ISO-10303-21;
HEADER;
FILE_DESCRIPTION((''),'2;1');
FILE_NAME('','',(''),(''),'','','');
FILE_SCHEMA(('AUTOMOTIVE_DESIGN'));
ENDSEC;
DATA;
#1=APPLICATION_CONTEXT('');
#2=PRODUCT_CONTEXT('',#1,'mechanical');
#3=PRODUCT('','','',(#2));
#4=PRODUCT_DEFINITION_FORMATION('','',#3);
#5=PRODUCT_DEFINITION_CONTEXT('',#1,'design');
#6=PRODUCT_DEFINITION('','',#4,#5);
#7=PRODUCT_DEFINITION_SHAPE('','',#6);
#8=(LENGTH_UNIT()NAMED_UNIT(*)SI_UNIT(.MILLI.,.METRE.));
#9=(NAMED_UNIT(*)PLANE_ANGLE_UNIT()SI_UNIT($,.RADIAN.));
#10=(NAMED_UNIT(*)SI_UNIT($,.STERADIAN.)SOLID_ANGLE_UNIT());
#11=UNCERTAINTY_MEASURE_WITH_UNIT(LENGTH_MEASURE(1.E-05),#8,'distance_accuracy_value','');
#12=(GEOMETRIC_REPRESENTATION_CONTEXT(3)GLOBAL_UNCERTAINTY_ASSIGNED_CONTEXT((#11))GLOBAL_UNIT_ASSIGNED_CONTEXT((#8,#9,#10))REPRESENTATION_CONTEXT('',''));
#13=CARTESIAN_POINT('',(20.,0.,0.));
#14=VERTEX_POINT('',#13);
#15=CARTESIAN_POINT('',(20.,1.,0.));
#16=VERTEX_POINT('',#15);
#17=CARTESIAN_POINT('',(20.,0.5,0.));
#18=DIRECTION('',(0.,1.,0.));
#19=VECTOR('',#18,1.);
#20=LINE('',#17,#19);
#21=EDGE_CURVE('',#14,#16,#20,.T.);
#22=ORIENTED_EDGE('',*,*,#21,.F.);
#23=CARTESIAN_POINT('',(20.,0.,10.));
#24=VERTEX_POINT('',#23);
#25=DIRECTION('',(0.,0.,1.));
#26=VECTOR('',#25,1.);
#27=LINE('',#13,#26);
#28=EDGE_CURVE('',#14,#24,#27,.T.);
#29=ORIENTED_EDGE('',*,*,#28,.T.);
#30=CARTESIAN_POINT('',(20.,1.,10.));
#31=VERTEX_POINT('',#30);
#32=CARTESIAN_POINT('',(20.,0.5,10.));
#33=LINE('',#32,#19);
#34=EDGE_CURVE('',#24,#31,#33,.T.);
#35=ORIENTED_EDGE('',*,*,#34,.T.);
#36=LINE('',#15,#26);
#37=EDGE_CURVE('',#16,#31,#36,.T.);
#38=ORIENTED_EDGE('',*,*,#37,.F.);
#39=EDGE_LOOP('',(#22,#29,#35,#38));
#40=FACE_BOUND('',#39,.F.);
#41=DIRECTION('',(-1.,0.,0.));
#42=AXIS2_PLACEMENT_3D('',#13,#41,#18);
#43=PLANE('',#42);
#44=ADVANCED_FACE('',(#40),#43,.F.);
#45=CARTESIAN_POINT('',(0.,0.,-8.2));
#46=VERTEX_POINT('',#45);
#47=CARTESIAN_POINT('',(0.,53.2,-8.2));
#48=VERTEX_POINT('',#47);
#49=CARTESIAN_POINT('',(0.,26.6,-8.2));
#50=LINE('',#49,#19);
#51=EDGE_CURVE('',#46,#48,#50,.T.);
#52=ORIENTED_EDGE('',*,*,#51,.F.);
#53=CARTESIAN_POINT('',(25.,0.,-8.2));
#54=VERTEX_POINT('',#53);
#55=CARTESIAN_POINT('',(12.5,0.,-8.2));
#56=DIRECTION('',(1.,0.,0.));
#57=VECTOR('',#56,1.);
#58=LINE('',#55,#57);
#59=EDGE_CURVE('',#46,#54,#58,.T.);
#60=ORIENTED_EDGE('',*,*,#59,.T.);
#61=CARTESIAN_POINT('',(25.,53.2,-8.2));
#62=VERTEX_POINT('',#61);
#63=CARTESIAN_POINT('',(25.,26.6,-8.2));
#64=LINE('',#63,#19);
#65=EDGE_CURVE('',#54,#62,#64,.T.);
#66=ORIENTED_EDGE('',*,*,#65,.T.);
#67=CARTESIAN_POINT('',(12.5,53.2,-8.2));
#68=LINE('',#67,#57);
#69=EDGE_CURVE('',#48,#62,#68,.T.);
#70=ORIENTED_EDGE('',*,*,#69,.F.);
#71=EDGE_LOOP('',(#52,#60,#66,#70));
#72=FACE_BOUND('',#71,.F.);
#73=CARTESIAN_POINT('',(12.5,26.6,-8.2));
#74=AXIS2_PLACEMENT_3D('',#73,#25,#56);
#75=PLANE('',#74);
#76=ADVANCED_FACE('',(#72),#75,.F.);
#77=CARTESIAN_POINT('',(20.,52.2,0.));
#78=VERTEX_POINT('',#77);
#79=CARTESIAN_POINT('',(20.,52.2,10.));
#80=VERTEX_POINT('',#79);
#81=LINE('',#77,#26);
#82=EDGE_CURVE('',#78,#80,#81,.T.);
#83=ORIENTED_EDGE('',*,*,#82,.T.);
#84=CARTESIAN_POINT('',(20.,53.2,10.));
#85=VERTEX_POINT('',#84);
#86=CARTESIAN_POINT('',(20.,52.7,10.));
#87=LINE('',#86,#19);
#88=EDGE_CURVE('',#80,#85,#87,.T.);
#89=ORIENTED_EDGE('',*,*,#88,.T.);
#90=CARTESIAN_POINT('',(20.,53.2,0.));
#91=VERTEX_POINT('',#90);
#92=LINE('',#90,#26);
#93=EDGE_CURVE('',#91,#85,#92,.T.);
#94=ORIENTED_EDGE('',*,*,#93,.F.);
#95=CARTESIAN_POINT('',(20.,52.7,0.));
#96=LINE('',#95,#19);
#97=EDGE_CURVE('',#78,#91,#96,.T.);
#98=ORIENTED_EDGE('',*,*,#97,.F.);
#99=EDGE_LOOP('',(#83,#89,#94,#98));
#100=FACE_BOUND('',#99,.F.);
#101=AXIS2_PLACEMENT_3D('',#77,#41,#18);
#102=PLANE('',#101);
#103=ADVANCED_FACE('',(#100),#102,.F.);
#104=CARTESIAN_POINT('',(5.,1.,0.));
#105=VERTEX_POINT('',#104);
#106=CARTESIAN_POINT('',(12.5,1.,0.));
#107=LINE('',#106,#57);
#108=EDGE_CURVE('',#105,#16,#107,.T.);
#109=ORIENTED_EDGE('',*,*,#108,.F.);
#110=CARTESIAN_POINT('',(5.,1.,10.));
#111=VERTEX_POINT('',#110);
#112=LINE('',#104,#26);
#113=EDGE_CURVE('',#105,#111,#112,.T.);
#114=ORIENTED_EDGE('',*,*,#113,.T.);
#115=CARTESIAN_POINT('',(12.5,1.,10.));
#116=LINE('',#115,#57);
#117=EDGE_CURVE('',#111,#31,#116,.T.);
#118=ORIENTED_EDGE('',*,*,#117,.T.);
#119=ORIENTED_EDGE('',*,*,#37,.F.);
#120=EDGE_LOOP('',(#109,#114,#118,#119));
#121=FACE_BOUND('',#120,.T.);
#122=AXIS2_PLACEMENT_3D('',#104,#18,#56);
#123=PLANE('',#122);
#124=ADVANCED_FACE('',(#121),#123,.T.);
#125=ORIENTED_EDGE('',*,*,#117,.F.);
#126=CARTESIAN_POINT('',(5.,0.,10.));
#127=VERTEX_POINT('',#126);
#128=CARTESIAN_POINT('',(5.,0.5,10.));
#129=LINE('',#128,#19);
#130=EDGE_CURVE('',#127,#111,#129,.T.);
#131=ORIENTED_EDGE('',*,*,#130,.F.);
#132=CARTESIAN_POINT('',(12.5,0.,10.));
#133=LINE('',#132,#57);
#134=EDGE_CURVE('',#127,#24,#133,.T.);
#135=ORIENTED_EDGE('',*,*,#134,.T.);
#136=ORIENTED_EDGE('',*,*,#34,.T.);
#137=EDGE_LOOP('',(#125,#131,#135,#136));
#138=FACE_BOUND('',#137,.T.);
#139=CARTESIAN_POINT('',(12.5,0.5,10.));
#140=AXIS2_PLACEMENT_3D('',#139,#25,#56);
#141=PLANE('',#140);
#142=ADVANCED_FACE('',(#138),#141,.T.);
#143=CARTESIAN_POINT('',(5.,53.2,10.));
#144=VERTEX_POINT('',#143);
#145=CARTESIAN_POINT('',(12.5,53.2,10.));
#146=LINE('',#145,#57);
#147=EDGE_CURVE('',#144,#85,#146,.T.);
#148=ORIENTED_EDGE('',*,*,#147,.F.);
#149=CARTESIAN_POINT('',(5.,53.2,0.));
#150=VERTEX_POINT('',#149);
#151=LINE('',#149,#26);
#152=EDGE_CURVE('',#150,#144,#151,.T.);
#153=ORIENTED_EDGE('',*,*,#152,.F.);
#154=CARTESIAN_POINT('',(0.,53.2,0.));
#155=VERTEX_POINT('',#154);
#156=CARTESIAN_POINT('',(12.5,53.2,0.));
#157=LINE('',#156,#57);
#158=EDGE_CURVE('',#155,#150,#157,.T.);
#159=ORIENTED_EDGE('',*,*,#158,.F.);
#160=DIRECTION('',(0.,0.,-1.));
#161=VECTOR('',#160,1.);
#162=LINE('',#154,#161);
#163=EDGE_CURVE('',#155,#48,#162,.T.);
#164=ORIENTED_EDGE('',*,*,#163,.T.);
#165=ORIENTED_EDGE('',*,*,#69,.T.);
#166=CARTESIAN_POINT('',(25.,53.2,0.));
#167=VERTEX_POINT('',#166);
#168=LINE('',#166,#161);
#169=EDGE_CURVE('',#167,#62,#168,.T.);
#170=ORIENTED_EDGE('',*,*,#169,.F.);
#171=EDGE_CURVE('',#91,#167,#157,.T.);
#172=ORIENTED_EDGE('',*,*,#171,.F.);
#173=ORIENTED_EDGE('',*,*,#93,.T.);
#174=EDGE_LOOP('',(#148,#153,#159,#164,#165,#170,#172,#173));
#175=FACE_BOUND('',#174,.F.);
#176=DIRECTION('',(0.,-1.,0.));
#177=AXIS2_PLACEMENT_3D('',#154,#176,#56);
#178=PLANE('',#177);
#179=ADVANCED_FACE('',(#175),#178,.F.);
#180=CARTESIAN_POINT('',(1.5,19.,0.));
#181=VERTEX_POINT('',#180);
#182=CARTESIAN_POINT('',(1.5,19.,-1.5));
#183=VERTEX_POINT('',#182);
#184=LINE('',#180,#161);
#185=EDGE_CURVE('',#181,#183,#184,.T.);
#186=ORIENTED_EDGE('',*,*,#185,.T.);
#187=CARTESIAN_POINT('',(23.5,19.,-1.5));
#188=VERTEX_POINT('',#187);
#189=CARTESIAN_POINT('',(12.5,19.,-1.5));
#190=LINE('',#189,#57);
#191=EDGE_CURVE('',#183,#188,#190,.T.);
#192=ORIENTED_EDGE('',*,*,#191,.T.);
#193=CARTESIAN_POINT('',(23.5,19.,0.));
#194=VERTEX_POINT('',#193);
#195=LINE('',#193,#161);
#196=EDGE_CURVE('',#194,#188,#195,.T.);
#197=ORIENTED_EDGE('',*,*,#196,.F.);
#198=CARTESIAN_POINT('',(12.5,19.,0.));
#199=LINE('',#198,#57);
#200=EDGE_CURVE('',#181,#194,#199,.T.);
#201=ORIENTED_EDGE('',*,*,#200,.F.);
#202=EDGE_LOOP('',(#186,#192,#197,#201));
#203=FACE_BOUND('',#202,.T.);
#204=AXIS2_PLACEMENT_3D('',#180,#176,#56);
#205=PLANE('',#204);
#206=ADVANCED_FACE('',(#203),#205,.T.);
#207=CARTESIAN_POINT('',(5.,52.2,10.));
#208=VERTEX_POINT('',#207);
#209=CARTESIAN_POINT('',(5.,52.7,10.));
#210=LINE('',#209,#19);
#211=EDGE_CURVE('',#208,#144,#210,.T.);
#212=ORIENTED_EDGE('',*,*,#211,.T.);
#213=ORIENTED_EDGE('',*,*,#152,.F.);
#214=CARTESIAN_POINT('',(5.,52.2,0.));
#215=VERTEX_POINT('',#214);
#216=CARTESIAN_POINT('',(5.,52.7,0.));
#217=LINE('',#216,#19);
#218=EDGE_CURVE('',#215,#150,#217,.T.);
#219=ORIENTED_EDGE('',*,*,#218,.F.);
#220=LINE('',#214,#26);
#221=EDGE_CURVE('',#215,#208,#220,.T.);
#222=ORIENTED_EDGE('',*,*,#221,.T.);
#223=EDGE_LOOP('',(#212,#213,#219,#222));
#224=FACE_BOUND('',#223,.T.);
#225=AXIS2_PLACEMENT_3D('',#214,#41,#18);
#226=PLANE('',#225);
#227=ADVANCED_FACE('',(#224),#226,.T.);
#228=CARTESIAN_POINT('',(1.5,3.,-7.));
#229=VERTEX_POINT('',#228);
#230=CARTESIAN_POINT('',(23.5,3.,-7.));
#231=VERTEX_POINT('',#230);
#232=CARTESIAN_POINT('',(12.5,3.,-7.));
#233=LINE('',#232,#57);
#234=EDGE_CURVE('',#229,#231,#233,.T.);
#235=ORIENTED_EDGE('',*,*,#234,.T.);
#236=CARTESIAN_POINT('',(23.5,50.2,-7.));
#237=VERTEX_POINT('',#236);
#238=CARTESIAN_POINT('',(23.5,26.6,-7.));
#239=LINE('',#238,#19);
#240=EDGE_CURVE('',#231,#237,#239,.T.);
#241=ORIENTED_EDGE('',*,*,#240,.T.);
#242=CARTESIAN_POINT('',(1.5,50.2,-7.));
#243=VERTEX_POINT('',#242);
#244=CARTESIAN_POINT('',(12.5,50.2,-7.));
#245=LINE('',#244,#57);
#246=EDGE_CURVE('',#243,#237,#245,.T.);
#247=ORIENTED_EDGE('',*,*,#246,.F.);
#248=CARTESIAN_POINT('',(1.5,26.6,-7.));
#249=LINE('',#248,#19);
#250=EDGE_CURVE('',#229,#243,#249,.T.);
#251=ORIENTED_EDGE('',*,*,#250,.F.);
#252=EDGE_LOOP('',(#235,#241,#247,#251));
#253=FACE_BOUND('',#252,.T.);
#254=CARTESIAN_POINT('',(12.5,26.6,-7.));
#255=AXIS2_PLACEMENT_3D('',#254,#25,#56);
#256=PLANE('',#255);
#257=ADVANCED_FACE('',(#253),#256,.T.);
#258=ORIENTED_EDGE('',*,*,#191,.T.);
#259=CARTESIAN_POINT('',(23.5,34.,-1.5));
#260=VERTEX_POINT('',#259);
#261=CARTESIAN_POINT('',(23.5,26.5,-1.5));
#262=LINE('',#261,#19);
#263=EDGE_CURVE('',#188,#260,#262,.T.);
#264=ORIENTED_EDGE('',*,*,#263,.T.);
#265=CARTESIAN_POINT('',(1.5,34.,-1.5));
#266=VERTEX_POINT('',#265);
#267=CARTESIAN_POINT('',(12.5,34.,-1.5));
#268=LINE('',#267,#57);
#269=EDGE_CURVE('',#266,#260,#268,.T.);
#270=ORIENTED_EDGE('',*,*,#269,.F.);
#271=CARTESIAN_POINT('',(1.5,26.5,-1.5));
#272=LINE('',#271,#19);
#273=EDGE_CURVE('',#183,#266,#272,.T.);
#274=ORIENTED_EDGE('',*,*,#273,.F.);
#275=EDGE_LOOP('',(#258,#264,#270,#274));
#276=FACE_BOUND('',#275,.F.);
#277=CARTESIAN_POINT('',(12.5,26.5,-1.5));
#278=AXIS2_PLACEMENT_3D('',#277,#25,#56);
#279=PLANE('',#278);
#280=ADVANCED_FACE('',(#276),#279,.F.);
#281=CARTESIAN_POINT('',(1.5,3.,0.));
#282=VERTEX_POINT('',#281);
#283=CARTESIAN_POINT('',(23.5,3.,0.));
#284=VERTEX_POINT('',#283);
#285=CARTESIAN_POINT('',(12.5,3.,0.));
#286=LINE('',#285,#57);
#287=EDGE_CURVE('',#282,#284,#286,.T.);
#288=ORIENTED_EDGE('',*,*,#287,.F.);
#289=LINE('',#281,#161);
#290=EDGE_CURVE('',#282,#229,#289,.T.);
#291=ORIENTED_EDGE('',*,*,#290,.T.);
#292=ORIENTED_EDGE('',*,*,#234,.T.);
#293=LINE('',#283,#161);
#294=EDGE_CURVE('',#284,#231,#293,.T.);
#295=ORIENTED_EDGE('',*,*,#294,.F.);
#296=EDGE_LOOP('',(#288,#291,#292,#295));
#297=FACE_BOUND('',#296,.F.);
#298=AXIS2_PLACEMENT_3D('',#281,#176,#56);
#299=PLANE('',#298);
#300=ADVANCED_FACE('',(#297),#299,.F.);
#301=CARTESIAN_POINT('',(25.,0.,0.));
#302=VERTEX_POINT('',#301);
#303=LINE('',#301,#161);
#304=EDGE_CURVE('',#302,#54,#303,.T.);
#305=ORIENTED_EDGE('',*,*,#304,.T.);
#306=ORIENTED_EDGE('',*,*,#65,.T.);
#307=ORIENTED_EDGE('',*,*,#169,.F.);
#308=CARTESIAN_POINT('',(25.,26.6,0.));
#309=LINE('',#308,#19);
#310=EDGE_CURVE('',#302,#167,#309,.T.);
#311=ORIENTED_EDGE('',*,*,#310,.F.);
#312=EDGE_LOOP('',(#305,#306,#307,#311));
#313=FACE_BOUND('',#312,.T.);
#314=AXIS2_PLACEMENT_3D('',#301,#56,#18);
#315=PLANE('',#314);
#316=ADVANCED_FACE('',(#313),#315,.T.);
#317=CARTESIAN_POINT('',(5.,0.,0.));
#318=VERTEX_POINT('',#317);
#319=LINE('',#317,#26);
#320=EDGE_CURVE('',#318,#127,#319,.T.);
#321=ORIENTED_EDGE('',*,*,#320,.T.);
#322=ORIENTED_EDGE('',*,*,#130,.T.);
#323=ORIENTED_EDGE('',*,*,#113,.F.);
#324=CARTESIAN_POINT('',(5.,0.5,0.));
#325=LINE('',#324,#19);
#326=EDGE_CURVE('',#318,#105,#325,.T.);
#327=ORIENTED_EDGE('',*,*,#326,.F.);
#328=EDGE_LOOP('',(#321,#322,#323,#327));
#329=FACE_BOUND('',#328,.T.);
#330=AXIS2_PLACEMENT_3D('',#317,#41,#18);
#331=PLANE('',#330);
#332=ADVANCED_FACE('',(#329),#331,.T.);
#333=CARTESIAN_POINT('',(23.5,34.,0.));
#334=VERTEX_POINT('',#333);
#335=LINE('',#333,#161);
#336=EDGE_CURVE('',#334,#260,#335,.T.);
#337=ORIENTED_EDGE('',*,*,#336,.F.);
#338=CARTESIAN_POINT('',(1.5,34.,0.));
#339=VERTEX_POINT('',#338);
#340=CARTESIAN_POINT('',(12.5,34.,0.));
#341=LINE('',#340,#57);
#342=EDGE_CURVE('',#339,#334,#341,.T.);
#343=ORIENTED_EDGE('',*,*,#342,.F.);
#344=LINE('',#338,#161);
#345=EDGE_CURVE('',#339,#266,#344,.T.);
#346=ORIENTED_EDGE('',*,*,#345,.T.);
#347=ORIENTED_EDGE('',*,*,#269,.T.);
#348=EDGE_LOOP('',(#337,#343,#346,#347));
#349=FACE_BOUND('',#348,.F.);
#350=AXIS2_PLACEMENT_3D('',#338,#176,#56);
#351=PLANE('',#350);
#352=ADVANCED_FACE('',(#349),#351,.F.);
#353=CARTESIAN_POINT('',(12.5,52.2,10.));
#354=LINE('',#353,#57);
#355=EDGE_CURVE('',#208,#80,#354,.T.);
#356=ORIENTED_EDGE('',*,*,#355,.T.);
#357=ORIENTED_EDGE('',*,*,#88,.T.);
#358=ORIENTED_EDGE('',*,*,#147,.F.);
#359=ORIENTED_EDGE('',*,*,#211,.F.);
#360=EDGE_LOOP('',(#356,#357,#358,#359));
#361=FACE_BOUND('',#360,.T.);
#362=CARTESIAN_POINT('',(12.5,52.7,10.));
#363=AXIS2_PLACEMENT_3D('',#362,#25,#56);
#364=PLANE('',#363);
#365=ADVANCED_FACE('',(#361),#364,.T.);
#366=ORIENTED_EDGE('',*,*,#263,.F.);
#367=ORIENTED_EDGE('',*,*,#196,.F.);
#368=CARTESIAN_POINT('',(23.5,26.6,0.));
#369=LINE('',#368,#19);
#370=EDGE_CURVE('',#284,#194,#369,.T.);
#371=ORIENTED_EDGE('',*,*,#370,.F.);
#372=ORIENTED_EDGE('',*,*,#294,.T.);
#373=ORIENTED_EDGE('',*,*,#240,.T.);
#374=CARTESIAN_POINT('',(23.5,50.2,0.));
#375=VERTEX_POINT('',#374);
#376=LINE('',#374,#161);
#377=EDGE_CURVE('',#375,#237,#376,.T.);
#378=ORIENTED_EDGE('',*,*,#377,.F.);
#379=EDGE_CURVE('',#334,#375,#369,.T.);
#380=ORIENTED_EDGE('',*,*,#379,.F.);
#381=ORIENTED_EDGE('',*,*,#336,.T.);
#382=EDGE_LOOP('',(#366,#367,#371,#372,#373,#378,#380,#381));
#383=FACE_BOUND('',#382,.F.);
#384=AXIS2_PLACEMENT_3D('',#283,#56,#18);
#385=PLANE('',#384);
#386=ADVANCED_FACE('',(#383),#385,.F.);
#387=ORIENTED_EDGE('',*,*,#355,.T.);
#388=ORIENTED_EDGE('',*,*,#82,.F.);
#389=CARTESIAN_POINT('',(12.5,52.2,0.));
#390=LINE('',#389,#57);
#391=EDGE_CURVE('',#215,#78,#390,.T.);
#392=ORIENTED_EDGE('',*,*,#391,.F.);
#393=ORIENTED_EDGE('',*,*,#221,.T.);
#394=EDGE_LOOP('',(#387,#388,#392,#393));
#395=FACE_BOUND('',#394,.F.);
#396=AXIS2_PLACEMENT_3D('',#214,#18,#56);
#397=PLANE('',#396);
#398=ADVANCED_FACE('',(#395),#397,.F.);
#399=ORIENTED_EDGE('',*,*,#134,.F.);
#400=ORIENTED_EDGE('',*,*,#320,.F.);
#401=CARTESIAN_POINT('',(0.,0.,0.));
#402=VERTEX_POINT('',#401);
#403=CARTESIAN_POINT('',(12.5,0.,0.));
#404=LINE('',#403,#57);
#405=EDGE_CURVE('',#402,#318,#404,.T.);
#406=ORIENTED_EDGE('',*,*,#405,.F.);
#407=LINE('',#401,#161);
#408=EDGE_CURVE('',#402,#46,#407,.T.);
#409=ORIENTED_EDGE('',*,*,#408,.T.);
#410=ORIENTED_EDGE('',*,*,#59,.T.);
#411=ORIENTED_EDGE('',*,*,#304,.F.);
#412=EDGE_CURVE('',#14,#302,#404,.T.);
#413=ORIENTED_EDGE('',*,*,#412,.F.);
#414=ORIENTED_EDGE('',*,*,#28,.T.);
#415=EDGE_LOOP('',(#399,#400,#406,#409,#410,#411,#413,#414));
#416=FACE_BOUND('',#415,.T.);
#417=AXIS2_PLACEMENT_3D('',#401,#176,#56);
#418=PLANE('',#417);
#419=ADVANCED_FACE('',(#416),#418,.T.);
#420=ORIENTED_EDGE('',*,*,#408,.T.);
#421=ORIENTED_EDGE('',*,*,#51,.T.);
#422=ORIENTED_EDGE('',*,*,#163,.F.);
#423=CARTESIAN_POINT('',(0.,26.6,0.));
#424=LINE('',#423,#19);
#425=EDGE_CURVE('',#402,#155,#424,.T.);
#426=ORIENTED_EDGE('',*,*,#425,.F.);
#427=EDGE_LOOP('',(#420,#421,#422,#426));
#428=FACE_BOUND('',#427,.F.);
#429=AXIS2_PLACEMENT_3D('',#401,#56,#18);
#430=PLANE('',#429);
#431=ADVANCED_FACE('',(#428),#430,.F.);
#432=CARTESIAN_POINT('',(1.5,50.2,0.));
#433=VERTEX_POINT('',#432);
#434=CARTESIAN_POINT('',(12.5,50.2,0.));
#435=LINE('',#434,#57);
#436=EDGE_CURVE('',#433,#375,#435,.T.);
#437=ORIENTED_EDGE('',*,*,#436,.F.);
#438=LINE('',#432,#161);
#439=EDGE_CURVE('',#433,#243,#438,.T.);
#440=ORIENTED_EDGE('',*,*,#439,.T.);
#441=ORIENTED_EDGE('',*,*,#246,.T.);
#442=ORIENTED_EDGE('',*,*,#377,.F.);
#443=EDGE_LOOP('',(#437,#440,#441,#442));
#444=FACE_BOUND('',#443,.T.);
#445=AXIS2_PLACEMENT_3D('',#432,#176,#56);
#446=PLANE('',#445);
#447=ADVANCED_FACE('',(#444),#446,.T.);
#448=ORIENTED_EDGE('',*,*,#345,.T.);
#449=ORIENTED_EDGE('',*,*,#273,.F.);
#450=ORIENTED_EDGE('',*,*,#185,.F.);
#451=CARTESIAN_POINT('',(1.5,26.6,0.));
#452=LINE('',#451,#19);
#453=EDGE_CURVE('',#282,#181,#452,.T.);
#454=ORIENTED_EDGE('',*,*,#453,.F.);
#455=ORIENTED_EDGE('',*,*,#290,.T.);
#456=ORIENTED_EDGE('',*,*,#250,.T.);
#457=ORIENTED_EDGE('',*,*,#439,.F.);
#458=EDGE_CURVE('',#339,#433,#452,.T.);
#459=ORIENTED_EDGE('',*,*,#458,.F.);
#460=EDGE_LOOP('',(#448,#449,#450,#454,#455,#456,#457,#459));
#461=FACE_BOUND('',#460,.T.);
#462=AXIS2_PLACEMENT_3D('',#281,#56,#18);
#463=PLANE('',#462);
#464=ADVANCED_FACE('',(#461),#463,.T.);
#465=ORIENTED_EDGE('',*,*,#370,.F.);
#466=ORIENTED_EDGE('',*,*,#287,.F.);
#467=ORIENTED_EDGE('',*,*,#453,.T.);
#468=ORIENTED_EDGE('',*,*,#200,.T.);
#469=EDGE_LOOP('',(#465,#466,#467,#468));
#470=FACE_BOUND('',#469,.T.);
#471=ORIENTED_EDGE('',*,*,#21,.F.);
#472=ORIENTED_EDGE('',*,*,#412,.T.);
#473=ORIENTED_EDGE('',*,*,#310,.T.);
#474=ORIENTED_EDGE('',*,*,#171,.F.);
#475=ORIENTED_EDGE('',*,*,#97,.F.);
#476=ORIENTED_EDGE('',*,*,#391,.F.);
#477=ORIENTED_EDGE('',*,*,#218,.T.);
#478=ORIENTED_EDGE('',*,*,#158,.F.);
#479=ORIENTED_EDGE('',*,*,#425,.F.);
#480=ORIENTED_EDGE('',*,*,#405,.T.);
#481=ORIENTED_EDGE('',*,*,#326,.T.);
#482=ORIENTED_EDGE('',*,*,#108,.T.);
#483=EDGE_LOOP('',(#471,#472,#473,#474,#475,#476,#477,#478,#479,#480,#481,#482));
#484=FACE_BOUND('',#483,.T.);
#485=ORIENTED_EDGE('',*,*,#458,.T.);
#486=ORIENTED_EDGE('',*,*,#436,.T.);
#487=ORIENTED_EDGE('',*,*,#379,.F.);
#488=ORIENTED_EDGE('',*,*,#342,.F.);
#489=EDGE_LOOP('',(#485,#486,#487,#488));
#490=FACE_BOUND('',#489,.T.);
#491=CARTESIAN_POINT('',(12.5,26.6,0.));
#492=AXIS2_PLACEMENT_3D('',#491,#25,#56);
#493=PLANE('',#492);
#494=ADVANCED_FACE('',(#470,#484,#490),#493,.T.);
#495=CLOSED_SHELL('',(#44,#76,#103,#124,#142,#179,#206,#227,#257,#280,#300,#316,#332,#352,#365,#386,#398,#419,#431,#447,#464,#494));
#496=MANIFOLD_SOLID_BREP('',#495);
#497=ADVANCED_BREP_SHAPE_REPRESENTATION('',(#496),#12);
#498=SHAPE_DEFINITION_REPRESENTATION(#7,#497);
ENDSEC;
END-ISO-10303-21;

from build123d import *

# Parameters (mm, degrees)
F0_W     = 25
F0_H     = 53.2
F1_DEPTH = 8.2
F2_W     = 15
F2_H     = 1
F3_DEPTH = 10
F4_W     = 22
F4_H     = 47.2
F5_DEPTH = 7
F6_W     = 22
F6_H     = 15
F7_DEPTH = 1.5


with BuildPart() as f1:
    # F0 (on Top) → F1 (new body)
    with BuildSketch(Plane.XY):
        with Locations((12.5, 26.6)):
            Rectangle(F0_W, F0_H)
    extrude(amount=-F1_DEPTH)

    # F2 (on Top) → F3 (join)
    with BuildSketch(Plane.XY):
        with Locations((12.5, 52.7)):
            Rectangle(F2_W, F2_H)
        with Locations((12.5, 0.5)):
            Rectangle(F2_W, F2_H)
    extrude(amount=F3_DEPTH)

    # F4 (on Top) → F5 (cut)
    with BuildSketch(Plane.XY):
        with Locations((12.5, 26.6)):
            Rectangle(F4_W, F4_H)
    extrude(amount=-F5_DEPTH, mode=Mode.SUBTRACT)

    # F6 (on Top) → F7 (join)
    with BuildSketch(Plane.XY):
        with Locations((12.5, 26.5)):
            Rectangle(F6_W, F6_H)
    extrude(amount=-F7_DEPTH)


solid = f1.part
